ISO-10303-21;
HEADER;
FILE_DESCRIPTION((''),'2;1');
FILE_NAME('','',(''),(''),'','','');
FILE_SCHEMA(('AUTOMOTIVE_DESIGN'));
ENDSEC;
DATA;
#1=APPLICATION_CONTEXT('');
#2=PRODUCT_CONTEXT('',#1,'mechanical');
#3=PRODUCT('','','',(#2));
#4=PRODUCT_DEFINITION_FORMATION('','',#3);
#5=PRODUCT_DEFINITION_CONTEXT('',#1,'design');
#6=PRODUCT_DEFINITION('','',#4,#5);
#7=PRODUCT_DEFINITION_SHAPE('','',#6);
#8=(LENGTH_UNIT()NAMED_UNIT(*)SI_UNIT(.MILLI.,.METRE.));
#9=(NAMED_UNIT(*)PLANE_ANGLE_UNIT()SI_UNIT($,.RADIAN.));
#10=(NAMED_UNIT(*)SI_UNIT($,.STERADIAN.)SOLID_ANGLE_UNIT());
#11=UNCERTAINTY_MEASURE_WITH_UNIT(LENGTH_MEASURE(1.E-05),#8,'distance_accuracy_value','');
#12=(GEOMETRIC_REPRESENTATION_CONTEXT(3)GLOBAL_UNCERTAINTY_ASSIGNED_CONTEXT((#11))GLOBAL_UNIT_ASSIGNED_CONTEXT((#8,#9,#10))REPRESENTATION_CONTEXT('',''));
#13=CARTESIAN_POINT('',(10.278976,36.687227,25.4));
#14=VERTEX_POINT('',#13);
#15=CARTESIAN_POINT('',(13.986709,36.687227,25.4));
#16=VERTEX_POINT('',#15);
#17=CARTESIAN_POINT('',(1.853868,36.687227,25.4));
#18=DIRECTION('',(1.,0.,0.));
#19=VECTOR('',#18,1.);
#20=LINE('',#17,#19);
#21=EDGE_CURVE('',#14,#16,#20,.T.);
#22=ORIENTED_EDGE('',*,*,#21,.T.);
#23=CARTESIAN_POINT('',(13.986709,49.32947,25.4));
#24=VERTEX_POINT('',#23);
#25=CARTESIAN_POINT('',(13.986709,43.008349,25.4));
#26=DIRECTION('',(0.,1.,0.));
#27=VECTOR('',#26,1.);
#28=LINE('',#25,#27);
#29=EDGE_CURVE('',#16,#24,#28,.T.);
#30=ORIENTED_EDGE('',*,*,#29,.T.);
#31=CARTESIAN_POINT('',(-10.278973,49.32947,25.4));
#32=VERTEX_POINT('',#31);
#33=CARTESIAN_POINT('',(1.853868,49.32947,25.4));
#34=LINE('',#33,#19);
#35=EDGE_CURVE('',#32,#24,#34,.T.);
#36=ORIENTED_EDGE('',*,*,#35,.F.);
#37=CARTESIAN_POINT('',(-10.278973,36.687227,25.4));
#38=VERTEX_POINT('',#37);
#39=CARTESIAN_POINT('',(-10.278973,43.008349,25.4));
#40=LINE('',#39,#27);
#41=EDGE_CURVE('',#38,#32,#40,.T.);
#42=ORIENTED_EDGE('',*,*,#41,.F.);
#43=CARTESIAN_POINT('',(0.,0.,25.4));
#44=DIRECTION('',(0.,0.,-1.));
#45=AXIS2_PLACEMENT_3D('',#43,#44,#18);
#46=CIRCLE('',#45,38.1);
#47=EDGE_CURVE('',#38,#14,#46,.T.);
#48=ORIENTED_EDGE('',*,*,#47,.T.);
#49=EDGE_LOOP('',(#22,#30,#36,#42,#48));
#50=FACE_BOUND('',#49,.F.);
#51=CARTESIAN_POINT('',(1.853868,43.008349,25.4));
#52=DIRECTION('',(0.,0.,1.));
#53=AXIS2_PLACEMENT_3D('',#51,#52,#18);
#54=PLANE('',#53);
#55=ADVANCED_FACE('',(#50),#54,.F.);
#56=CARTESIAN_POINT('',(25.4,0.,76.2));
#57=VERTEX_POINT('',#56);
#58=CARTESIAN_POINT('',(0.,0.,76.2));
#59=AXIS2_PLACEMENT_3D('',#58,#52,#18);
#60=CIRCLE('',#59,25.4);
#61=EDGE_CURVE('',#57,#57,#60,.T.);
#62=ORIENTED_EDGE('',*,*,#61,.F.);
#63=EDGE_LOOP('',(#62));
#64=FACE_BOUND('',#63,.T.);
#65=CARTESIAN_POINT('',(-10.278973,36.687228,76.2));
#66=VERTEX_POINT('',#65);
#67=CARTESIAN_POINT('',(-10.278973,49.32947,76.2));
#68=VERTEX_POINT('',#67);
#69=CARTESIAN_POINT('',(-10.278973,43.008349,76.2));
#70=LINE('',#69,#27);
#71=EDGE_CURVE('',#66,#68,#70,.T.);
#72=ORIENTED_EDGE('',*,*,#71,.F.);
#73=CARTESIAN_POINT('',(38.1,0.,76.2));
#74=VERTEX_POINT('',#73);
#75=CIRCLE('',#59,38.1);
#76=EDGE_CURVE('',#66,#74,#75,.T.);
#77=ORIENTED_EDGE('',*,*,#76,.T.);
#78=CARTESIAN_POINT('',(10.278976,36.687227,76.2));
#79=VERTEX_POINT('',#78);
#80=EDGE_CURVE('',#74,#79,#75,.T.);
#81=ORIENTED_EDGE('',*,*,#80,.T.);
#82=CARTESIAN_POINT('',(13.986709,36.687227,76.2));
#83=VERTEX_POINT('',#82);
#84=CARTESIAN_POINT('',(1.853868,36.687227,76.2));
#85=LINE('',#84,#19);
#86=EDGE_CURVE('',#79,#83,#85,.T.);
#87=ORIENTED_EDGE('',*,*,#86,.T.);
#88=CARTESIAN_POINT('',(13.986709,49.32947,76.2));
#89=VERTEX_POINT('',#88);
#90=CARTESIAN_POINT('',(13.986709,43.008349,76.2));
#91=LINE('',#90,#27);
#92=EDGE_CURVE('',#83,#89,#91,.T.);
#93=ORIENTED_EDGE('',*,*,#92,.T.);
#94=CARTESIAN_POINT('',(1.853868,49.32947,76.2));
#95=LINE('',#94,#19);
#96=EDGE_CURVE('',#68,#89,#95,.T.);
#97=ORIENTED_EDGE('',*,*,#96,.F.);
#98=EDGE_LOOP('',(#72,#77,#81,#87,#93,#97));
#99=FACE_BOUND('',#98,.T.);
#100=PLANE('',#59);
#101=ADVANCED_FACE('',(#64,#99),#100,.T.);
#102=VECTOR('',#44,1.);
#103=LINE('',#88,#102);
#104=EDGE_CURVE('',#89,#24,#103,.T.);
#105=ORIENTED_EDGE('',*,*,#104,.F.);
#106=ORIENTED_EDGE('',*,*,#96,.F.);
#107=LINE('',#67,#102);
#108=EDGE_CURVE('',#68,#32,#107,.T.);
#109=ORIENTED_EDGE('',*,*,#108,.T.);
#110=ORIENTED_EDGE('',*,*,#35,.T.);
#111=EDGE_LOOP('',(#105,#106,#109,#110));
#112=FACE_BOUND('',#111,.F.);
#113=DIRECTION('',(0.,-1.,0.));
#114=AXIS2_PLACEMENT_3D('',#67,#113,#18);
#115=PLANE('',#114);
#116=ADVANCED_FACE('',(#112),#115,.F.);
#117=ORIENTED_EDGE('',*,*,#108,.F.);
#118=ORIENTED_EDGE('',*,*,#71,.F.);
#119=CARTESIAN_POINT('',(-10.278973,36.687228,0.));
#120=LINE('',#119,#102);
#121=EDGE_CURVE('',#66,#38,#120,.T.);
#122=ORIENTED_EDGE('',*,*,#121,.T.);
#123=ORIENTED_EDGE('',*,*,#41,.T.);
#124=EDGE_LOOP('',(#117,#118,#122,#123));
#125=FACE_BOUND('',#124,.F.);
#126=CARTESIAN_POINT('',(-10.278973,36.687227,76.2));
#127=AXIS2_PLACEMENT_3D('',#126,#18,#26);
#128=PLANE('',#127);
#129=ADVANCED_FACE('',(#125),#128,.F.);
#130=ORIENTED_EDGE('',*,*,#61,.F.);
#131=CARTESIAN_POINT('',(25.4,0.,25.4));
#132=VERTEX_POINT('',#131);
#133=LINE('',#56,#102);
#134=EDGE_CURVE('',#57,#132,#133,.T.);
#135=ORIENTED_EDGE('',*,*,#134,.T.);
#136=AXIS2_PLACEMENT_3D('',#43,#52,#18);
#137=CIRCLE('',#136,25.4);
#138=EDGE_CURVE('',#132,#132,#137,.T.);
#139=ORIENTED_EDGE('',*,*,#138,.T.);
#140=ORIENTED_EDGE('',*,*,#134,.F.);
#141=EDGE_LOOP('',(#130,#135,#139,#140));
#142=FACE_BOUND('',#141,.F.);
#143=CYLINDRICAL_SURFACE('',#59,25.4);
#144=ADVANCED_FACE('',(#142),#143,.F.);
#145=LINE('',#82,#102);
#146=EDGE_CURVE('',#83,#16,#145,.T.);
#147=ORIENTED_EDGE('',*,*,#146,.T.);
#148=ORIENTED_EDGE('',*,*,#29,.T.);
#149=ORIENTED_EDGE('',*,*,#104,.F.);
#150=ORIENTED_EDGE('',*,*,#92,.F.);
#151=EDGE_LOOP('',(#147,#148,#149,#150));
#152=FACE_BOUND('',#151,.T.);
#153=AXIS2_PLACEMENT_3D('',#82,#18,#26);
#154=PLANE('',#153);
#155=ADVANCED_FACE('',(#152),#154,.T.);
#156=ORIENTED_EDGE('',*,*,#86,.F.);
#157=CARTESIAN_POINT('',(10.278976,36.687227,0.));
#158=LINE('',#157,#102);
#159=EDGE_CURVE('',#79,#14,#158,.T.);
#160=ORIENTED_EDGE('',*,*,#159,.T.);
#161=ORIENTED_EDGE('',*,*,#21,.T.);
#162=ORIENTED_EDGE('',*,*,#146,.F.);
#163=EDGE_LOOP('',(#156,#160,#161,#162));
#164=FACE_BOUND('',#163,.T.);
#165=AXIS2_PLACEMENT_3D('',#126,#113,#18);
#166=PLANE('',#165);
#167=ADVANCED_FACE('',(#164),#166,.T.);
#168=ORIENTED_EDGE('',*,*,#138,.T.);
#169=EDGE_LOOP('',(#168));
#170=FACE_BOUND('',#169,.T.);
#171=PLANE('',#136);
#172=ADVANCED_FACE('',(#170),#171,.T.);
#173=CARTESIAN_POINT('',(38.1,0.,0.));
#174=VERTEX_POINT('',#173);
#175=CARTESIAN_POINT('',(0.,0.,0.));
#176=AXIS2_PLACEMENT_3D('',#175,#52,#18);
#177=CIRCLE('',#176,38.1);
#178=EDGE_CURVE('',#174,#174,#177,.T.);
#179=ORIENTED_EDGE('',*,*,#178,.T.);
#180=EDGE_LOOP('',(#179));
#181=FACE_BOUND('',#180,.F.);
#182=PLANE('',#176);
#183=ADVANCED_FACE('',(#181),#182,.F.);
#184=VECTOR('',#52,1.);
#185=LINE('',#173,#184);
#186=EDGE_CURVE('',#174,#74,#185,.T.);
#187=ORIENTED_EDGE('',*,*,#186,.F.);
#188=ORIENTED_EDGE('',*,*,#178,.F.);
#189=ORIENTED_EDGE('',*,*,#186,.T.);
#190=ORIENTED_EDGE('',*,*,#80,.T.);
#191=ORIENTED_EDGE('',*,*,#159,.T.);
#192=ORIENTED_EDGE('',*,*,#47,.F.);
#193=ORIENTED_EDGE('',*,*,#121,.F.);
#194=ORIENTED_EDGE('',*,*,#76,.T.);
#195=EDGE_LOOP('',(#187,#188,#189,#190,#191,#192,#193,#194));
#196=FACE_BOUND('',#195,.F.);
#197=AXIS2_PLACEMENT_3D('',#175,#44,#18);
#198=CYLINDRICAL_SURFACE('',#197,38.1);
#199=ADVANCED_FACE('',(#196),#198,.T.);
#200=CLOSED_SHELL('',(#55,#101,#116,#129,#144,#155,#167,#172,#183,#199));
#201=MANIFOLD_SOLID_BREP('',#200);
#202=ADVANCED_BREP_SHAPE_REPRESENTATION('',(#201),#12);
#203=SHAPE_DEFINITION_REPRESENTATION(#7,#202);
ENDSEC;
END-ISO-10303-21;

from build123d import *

# Parameters (mm, degrees)
F0_R     = 38.1
F1_DEPTH = 76.2
F2_R     = 25.4
F3_DEPTH = 50.8
F4_W     = 24.265683
F4_H     = 12.642243
F5_DEPTH = 50.8


with BuildPart() as f1:
    # F0 (on Top) → F1 (new body)
    with BuildSketch(Plane.XY):
        Circle(F0_R)
    extrude(amount=F1_DEPTH)

    # F2 (on face) → F3 (cut)
    with BuildSketch(Plane.XY.offset(76.2)):
        Circle(F2_R)
    extrude(amount=-F3_DEPTH, mode=Mode.SUBTRACT)

    # F4 (on face) → F5 (join)
    with BuildSketch(Plane.XY.offset(76.2)):
        with Locations((1.853868, 43.008349)):
            Rectangle(F4_W, F4_H)
    extrude(amount=-F5_DEPTH)


solid = f1.part
